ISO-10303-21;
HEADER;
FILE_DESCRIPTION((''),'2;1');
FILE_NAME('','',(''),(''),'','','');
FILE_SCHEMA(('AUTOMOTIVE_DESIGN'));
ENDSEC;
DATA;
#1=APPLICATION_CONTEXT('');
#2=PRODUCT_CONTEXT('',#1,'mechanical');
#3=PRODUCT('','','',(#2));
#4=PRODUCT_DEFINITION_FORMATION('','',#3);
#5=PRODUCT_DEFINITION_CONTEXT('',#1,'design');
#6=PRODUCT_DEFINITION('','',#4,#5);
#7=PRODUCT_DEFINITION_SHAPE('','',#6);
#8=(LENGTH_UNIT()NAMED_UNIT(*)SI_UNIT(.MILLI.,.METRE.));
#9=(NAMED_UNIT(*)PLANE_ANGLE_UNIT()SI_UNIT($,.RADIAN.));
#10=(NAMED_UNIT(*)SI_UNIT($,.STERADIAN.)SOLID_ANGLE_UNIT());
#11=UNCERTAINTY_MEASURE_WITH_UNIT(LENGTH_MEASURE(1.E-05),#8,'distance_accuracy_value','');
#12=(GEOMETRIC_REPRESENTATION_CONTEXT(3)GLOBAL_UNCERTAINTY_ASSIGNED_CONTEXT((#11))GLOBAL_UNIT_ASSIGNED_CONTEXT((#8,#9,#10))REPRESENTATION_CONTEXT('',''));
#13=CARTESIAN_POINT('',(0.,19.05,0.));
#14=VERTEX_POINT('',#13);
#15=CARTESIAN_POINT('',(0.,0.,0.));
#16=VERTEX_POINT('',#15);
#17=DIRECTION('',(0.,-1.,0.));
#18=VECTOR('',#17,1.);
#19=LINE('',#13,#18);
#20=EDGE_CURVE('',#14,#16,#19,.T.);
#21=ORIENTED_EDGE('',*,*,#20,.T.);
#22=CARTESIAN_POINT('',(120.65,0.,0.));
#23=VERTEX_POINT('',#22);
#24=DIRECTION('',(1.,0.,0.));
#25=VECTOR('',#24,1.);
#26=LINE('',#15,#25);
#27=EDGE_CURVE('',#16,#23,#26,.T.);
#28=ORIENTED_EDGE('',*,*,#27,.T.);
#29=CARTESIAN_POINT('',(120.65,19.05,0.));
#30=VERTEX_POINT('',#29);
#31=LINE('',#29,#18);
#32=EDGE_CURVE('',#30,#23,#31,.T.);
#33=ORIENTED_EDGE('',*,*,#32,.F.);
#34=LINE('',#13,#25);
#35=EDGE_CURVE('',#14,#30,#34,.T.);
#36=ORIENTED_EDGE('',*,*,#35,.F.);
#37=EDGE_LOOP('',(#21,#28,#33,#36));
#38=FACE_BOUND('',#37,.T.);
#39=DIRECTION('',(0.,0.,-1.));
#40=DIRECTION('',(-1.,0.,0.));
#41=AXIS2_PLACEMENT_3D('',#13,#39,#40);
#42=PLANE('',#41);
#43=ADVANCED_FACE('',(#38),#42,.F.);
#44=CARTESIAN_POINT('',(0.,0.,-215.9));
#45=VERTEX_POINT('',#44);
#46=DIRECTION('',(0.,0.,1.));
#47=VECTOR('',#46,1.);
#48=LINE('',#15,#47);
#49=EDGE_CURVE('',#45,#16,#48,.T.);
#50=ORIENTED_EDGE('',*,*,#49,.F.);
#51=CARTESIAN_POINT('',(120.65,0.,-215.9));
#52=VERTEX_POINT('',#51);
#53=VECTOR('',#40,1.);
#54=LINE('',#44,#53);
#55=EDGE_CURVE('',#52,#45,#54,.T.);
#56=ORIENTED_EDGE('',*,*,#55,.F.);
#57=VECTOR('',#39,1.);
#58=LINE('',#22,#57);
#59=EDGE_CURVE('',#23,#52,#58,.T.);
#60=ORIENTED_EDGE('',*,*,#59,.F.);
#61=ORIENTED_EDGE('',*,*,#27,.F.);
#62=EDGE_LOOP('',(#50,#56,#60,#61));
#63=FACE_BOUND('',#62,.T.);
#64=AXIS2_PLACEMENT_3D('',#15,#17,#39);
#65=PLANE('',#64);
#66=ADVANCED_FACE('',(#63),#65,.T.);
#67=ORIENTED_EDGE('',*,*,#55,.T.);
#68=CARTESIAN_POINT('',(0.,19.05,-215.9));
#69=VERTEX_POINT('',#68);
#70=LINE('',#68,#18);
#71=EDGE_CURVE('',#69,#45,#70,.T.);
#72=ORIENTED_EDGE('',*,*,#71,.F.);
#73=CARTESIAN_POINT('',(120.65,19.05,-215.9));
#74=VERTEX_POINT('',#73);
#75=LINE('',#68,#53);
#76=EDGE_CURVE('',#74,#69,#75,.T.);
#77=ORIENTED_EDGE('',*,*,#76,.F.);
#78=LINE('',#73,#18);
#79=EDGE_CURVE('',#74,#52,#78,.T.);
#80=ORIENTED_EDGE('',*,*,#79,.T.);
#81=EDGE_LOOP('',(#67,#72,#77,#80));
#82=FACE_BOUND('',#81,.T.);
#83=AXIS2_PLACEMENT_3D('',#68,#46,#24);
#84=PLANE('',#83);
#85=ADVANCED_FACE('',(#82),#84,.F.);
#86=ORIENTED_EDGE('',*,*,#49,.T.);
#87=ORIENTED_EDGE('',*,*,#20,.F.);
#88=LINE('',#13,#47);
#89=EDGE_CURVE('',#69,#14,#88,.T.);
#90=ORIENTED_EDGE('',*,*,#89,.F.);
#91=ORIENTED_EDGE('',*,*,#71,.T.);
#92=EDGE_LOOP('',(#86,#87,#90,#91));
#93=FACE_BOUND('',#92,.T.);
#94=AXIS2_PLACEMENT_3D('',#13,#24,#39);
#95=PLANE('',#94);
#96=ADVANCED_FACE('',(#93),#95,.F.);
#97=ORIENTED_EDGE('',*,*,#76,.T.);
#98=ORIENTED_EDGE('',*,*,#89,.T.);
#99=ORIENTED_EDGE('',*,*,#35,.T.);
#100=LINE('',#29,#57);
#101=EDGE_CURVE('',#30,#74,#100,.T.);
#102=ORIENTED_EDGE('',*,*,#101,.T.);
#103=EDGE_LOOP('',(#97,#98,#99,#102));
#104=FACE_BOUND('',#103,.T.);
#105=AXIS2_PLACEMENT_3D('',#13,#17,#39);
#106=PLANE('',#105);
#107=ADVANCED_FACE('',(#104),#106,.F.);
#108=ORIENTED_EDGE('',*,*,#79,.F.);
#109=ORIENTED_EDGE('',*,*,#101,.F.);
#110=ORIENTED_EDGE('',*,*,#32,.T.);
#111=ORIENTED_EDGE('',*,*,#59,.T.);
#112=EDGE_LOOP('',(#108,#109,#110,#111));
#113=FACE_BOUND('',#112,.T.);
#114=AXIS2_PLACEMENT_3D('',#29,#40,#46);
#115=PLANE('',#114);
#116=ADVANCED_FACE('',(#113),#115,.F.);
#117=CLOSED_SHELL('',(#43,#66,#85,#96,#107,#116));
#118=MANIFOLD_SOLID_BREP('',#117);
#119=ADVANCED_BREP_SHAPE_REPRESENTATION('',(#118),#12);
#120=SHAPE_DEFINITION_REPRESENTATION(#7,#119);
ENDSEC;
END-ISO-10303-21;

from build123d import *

# Parameters (mm, degrees)
SKETCH1_W          = 120.65
SKETCH1_H          = 215.9
BASE_EXTRUDE_DEPTH = 19.05


with BuildPart() as part:
    # Sketch1 → Base Extrude (new body)
    with BuildSketch(Plane(origin=(0, 0, 0), x_dir=(1, 0, 0), z_dir=(0, 1, 0))):
        with Locations((60.325, 107.95)):
            Rectangle(SKETCH1_W, SKETCH1_H)
    extrude(amount=BASE_EXTRUDE_DEPTH)


solid = part.part
